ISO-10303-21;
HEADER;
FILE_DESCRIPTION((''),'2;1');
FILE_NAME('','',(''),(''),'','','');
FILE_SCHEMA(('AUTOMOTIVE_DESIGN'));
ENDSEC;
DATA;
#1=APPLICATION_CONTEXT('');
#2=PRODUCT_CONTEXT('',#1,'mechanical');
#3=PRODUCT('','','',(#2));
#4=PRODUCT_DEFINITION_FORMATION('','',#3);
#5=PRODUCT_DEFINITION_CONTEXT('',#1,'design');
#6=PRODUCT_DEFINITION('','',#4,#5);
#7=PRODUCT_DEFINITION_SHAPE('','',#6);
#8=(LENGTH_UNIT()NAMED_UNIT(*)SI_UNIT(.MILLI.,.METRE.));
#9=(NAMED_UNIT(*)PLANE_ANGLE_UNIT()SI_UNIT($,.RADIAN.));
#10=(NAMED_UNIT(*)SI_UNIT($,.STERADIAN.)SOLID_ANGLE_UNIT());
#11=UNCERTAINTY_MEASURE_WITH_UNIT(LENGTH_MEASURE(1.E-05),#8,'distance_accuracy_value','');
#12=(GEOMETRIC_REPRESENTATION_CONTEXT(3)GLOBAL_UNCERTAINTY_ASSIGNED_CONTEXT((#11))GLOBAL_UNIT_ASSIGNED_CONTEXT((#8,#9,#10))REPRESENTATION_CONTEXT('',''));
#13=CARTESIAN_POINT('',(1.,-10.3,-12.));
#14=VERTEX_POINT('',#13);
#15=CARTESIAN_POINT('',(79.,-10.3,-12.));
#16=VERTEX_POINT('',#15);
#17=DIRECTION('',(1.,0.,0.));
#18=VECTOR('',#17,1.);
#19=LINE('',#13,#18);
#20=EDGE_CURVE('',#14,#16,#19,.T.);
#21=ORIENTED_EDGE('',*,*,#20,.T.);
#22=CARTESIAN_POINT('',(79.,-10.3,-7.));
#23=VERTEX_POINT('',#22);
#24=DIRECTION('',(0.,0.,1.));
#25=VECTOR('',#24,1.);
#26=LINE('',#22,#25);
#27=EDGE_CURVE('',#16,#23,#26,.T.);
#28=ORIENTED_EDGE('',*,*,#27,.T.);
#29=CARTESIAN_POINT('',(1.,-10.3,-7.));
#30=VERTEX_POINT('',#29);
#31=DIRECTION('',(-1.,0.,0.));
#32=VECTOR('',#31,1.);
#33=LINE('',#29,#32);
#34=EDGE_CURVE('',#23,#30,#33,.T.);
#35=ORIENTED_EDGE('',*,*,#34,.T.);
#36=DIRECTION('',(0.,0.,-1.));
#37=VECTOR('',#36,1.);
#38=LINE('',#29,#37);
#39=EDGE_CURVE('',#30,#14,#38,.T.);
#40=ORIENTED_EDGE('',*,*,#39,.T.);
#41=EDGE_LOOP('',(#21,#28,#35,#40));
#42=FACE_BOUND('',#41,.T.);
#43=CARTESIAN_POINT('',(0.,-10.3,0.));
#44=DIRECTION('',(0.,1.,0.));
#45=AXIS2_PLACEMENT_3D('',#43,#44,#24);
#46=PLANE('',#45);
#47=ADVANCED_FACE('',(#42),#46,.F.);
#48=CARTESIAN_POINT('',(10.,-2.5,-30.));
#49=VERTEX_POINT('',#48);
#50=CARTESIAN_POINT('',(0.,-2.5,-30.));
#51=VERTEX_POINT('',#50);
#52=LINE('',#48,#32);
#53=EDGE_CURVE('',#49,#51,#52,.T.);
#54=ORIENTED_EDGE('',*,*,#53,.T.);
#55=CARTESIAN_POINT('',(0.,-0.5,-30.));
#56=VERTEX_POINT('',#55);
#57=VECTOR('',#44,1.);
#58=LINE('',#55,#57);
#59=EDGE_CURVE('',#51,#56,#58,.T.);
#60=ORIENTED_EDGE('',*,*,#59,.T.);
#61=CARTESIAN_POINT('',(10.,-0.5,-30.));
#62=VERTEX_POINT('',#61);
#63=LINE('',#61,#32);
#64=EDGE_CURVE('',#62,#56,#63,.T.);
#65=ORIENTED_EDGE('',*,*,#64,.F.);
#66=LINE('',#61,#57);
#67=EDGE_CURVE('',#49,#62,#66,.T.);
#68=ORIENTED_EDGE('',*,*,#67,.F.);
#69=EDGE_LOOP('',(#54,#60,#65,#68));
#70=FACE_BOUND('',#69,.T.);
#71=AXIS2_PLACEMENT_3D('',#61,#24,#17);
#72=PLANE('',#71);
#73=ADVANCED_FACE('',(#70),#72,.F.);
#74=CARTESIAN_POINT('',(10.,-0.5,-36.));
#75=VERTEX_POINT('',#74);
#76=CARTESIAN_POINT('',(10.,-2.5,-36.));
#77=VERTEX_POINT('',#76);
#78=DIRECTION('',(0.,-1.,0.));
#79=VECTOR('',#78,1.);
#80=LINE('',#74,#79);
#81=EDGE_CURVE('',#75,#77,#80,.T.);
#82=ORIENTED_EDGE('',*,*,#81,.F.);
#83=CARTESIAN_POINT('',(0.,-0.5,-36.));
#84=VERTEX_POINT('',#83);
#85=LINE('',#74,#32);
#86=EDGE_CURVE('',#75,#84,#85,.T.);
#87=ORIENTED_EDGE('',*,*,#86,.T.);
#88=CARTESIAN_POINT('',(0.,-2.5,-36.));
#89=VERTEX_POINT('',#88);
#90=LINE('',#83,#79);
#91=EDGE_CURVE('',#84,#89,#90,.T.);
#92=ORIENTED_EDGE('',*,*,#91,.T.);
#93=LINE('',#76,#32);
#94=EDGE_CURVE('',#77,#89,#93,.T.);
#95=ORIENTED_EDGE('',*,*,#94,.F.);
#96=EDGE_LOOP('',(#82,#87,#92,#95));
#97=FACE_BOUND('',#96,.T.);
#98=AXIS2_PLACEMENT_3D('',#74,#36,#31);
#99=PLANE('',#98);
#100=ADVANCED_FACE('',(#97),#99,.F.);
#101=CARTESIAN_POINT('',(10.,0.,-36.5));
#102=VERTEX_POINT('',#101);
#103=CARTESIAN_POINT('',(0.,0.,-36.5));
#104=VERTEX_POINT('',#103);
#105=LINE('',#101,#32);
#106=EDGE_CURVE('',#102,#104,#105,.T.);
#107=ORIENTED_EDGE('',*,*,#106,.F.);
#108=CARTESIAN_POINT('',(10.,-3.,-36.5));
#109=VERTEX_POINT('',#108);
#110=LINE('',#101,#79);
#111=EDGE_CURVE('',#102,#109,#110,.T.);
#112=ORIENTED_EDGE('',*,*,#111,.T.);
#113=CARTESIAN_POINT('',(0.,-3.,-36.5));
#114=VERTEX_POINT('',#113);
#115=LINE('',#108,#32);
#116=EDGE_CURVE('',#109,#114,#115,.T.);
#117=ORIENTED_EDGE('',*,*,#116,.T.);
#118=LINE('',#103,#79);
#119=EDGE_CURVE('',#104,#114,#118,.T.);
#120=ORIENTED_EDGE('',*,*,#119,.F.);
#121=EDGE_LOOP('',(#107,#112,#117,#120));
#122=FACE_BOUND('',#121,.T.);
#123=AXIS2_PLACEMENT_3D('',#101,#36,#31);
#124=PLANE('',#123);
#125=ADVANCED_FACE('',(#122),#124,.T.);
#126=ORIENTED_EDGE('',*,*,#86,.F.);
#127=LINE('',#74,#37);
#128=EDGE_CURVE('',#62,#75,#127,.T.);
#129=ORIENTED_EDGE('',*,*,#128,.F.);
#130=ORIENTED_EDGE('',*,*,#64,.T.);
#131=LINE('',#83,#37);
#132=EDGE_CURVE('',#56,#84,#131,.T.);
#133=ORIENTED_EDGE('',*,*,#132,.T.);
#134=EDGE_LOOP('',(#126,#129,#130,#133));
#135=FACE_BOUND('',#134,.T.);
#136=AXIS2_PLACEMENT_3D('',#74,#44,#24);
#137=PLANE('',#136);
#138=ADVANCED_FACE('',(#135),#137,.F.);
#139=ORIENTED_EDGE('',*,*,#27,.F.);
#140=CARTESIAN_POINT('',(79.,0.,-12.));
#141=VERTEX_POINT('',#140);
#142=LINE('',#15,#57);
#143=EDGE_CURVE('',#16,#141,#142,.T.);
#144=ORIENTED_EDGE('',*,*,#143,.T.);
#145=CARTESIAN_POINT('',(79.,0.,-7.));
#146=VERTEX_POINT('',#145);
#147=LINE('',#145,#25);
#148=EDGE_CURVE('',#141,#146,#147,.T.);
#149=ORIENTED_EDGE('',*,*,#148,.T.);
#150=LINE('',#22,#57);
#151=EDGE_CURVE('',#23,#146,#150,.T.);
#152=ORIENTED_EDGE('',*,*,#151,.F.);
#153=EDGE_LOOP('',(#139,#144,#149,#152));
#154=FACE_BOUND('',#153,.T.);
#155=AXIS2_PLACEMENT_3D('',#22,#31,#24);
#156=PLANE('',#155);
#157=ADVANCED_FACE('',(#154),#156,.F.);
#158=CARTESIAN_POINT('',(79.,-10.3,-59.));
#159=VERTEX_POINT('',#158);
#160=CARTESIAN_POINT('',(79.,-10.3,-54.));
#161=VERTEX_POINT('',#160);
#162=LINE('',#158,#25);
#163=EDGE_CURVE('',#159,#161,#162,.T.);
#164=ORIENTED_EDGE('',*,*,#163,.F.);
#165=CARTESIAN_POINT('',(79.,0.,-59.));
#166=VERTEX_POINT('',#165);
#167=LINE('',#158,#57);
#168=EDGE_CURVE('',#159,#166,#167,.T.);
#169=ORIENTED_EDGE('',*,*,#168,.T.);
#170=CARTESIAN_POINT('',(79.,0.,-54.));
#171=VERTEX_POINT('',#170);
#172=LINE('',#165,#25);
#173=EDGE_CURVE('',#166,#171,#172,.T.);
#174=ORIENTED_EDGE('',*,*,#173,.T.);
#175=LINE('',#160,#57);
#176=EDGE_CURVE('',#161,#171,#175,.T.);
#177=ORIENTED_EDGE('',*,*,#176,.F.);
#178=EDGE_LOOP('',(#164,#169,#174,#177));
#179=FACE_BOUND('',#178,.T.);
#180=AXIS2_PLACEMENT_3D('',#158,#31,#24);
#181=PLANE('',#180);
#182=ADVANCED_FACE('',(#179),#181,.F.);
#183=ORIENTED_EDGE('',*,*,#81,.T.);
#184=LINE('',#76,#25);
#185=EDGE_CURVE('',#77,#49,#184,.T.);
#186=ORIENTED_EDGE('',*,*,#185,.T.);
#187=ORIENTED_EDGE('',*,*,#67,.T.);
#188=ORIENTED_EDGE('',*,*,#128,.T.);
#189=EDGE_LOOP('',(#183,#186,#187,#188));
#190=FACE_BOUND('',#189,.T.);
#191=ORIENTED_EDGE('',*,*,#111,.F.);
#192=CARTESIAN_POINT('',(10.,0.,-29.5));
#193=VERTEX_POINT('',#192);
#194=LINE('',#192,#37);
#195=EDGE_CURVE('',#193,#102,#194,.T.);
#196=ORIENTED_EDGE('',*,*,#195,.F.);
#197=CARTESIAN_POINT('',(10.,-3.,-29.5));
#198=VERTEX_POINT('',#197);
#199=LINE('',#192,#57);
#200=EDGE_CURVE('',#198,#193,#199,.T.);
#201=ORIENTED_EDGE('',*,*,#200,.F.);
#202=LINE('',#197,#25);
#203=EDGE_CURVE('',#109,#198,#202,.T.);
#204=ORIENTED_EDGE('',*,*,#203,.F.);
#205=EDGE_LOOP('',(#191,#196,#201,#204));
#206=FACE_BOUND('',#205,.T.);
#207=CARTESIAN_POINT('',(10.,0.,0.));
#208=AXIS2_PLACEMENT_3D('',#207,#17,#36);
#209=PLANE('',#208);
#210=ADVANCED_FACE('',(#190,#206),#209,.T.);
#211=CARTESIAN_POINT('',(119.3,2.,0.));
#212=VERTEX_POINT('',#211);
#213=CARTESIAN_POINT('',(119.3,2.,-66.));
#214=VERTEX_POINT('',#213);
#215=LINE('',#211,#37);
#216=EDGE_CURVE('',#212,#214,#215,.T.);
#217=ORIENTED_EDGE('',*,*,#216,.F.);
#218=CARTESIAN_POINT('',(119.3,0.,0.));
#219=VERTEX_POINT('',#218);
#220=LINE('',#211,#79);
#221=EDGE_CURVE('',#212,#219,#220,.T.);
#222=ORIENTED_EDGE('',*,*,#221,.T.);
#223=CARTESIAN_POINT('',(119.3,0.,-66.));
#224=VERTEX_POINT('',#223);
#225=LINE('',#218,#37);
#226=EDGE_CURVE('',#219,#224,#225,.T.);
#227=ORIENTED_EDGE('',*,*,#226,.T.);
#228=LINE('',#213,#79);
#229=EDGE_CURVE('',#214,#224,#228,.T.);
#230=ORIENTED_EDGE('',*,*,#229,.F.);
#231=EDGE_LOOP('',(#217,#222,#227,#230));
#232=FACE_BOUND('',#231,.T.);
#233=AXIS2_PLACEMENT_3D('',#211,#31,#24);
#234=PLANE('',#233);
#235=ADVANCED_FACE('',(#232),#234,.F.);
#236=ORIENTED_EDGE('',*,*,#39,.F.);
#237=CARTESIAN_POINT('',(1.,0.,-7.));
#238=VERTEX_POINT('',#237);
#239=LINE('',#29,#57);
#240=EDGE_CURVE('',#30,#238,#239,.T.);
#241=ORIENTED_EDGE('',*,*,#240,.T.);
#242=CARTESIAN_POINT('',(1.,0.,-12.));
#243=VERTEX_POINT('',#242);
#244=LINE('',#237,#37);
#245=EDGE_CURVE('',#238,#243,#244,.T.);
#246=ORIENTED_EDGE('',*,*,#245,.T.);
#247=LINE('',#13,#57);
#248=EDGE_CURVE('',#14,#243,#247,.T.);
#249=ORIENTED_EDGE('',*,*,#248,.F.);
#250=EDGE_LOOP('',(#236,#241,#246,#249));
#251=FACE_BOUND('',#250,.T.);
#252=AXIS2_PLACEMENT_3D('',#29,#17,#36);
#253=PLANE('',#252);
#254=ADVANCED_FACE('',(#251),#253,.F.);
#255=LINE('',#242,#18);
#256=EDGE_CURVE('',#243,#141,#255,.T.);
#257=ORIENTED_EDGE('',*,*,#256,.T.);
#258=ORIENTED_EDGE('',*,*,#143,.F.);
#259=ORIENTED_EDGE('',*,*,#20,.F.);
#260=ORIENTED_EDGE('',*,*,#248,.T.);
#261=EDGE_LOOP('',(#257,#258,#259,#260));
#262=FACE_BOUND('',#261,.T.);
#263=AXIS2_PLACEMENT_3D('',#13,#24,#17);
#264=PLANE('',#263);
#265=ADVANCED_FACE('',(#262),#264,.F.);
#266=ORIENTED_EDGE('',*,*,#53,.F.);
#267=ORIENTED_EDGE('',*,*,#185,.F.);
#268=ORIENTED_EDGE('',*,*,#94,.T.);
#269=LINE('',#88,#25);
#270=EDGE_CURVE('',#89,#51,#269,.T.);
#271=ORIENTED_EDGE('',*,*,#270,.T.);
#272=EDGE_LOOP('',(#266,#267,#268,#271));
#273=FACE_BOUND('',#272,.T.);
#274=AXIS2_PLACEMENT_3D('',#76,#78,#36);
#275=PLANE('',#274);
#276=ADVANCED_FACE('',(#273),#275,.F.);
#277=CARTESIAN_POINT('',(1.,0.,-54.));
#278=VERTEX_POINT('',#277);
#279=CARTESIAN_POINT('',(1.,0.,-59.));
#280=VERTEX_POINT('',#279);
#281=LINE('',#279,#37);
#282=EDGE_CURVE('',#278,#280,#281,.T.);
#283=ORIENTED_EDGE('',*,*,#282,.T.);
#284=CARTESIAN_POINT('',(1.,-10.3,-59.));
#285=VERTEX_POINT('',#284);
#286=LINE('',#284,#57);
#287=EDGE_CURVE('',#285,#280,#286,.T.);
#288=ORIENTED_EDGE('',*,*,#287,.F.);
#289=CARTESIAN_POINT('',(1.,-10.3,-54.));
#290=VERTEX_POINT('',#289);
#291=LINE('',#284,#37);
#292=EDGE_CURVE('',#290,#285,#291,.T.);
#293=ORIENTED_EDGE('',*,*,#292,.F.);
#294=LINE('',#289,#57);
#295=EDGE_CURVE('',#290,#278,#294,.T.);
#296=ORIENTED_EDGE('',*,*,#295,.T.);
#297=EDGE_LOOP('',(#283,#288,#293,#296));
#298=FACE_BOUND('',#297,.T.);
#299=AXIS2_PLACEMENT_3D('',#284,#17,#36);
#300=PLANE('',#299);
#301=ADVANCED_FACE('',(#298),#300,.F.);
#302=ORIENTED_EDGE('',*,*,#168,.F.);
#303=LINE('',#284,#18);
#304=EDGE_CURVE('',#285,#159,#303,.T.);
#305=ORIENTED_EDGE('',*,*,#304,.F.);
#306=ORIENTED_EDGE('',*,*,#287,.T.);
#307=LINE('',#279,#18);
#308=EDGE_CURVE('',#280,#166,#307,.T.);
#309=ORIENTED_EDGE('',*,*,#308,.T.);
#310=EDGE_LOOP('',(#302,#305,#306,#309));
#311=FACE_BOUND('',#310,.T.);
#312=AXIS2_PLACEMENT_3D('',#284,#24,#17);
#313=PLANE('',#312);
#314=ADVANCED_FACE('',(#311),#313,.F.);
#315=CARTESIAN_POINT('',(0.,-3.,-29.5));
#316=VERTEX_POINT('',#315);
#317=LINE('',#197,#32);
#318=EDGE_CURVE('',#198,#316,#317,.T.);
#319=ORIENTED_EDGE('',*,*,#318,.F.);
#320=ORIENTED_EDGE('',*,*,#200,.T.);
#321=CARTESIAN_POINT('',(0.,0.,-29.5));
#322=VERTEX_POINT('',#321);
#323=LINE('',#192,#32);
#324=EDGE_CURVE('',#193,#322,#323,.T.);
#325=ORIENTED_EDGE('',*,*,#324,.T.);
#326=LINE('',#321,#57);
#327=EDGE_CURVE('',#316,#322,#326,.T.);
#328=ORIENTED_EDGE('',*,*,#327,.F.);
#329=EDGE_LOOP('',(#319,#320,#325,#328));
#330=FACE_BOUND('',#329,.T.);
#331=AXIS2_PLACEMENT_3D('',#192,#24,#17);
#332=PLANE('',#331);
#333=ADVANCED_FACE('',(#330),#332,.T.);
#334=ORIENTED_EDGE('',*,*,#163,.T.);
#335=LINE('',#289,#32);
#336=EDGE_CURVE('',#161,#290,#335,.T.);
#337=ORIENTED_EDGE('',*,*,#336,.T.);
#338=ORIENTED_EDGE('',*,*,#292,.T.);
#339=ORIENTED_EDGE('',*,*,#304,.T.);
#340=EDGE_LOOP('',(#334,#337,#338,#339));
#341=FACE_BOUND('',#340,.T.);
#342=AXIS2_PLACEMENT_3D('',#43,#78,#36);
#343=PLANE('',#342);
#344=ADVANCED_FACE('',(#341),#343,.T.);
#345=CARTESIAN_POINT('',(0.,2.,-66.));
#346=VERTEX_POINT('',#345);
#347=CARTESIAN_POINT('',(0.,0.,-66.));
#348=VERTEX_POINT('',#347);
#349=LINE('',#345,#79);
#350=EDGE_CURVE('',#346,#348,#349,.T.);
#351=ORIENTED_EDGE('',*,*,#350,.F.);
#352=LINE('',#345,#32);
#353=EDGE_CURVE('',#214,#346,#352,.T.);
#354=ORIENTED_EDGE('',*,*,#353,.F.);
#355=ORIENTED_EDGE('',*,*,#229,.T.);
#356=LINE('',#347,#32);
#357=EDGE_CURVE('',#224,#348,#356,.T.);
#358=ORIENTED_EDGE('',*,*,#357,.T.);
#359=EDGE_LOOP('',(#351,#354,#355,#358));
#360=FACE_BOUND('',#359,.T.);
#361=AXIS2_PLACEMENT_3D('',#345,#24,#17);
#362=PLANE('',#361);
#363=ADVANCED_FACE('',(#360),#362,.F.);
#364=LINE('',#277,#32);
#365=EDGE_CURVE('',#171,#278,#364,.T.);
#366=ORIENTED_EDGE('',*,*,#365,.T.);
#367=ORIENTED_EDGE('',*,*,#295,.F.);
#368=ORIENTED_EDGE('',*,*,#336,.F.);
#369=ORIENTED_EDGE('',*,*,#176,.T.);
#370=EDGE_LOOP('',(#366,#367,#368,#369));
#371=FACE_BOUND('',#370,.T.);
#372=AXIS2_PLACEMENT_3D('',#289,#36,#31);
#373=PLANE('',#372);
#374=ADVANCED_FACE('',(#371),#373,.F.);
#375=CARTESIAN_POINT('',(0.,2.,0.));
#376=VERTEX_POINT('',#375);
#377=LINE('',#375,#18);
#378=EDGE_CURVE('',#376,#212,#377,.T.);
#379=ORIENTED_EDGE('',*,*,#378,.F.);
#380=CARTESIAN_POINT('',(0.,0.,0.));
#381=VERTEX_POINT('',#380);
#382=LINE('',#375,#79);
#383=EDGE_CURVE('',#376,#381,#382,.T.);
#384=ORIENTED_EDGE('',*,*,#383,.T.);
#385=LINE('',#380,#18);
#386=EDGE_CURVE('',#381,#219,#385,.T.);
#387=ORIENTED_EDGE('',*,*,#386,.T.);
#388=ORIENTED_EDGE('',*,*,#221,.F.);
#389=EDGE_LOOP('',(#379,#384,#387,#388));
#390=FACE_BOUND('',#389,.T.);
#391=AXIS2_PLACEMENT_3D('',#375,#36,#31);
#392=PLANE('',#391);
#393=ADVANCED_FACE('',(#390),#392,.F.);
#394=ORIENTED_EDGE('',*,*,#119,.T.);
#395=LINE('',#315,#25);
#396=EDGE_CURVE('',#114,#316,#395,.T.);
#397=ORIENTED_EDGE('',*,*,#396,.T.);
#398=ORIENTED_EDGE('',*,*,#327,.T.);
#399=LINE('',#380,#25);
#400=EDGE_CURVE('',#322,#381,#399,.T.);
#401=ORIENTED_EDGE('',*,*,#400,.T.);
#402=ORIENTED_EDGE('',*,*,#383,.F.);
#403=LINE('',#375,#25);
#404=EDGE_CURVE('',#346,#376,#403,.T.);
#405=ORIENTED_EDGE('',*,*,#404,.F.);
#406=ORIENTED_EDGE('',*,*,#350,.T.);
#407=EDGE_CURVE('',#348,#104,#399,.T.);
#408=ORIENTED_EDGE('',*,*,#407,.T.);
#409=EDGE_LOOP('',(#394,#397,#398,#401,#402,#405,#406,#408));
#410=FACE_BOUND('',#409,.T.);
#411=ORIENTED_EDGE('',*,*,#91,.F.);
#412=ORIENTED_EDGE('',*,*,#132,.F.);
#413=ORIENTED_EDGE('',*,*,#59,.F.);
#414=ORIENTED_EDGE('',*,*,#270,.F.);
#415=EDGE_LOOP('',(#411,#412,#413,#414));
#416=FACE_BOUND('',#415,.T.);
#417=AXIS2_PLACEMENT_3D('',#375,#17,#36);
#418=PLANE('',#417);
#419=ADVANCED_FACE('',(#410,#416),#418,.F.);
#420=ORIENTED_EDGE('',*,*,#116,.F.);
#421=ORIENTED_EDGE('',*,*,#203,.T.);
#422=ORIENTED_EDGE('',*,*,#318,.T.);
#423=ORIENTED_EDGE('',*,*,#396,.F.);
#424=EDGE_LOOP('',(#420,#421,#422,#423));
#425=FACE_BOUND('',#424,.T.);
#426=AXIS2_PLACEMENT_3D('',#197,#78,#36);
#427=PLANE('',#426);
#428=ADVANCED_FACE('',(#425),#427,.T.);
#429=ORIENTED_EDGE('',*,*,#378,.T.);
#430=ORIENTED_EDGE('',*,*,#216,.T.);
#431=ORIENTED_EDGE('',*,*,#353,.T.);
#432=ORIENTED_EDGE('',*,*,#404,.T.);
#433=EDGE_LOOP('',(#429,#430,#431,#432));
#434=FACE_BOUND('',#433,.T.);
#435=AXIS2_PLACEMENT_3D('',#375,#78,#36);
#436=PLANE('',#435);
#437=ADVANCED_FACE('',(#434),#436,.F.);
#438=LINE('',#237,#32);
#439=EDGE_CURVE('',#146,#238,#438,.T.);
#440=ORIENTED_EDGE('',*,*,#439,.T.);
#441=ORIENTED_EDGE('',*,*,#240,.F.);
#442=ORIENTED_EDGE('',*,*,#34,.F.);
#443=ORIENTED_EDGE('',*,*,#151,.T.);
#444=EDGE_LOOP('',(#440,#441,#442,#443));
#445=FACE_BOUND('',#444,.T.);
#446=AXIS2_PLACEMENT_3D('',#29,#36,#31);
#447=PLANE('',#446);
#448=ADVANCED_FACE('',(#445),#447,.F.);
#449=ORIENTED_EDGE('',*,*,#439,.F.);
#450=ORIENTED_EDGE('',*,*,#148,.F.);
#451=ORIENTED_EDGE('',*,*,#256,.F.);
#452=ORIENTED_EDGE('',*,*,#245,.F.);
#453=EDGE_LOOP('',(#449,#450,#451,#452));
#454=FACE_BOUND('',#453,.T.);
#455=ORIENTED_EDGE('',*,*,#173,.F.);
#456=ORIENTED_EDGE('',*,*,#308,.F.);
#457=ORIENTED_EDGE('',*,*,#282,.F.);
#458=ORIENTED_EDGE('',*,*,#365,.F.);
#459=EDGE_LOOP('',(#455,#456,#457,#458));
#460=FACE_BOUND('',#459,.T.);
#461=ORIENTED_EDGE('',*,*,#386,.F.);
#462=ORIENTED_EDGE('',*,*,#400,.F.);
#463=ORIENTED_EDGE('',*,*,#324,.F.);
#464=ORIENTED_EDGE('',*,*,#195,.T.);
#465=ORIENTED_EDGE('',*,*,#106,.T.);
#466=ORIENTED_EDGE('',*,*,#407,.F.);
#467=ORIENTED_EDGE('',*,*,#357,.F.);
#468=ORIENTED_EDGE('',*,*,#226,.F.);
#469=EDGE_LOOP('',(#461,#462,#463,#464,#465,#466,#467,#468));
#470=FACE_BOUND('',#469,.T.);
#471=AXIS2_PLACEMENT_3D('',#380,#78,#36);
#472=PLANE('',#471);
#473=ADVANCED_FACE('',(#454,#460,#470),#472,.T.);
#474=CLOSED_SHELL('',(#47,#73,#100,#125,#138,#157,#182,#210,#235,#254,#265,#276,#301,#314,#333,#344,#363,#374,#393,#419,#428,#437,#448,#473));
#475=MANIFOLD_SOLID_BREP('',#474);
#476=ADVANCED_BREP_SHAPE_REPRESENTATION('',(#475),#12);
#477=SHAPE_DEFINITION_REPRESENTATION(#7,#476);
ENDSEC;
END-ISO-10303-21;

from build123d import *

# Parameters (mm, degrees)
SKETCH_1_W      = 119.3
SKETCH_1_H      = 66
EXTRUDE_1_DEPTH = 2
SKETCH_2_W      = 78
SKETCH_2_H      = 5
EXTRUDE_2_DEPTH = 10.3
SKETCH_3_W      = 7
SKETCH_3_H      = 3
SKETCH_3_W_2    = 6
SKETCH_3_H_2    = 2
EXTRUDE_3_DEPTH = 10


with BuildPart() as part:
    # Эскиз1 → Бобышка-Вытянуть1 (new body)
    with BuildSketch(Plane(origin=(0, 0, 0), x_dir=(1, 0, 0), z_dir=(0, 1, 0))):
        with Locations((59.65, 33)):
            Rectangle(SKETCH_1_W, SKETCH_1_H)
    extrude(amount=EXTRUDE_1_DEPTH)

    # Эскиз2 → Бобышка-Вытянуть2 (add)
    with BuildSketch(Plane.XZ):
        with Locations((40, -9.5)):
            Rectangle(SKETCH_2_W, SKETCH_2_H)
        with Locations((40, -56.5)):
            Rectangle(SKETCH_2_W, SKETCH_2_H)
    extrude(amount=EXTRUDE_2_DEPTH)

    # Эскиз3 → Бобышка-Вытянуть3 (add)
    with BuildSketch(Plane.ZY):
        with Locations((-33, -1.5)):
            Rectangle(SKETCH_3_W, SKETCH_3_H)
        with Locations((-33, -1.5)):
            Rectangle(SKETCH_3_W_2, SKETCH_3_H_2, mode=Mode.SUBTRACT)
    extrude(amount=-EXTRUDE_3_DEPTH)


solid = part.part
